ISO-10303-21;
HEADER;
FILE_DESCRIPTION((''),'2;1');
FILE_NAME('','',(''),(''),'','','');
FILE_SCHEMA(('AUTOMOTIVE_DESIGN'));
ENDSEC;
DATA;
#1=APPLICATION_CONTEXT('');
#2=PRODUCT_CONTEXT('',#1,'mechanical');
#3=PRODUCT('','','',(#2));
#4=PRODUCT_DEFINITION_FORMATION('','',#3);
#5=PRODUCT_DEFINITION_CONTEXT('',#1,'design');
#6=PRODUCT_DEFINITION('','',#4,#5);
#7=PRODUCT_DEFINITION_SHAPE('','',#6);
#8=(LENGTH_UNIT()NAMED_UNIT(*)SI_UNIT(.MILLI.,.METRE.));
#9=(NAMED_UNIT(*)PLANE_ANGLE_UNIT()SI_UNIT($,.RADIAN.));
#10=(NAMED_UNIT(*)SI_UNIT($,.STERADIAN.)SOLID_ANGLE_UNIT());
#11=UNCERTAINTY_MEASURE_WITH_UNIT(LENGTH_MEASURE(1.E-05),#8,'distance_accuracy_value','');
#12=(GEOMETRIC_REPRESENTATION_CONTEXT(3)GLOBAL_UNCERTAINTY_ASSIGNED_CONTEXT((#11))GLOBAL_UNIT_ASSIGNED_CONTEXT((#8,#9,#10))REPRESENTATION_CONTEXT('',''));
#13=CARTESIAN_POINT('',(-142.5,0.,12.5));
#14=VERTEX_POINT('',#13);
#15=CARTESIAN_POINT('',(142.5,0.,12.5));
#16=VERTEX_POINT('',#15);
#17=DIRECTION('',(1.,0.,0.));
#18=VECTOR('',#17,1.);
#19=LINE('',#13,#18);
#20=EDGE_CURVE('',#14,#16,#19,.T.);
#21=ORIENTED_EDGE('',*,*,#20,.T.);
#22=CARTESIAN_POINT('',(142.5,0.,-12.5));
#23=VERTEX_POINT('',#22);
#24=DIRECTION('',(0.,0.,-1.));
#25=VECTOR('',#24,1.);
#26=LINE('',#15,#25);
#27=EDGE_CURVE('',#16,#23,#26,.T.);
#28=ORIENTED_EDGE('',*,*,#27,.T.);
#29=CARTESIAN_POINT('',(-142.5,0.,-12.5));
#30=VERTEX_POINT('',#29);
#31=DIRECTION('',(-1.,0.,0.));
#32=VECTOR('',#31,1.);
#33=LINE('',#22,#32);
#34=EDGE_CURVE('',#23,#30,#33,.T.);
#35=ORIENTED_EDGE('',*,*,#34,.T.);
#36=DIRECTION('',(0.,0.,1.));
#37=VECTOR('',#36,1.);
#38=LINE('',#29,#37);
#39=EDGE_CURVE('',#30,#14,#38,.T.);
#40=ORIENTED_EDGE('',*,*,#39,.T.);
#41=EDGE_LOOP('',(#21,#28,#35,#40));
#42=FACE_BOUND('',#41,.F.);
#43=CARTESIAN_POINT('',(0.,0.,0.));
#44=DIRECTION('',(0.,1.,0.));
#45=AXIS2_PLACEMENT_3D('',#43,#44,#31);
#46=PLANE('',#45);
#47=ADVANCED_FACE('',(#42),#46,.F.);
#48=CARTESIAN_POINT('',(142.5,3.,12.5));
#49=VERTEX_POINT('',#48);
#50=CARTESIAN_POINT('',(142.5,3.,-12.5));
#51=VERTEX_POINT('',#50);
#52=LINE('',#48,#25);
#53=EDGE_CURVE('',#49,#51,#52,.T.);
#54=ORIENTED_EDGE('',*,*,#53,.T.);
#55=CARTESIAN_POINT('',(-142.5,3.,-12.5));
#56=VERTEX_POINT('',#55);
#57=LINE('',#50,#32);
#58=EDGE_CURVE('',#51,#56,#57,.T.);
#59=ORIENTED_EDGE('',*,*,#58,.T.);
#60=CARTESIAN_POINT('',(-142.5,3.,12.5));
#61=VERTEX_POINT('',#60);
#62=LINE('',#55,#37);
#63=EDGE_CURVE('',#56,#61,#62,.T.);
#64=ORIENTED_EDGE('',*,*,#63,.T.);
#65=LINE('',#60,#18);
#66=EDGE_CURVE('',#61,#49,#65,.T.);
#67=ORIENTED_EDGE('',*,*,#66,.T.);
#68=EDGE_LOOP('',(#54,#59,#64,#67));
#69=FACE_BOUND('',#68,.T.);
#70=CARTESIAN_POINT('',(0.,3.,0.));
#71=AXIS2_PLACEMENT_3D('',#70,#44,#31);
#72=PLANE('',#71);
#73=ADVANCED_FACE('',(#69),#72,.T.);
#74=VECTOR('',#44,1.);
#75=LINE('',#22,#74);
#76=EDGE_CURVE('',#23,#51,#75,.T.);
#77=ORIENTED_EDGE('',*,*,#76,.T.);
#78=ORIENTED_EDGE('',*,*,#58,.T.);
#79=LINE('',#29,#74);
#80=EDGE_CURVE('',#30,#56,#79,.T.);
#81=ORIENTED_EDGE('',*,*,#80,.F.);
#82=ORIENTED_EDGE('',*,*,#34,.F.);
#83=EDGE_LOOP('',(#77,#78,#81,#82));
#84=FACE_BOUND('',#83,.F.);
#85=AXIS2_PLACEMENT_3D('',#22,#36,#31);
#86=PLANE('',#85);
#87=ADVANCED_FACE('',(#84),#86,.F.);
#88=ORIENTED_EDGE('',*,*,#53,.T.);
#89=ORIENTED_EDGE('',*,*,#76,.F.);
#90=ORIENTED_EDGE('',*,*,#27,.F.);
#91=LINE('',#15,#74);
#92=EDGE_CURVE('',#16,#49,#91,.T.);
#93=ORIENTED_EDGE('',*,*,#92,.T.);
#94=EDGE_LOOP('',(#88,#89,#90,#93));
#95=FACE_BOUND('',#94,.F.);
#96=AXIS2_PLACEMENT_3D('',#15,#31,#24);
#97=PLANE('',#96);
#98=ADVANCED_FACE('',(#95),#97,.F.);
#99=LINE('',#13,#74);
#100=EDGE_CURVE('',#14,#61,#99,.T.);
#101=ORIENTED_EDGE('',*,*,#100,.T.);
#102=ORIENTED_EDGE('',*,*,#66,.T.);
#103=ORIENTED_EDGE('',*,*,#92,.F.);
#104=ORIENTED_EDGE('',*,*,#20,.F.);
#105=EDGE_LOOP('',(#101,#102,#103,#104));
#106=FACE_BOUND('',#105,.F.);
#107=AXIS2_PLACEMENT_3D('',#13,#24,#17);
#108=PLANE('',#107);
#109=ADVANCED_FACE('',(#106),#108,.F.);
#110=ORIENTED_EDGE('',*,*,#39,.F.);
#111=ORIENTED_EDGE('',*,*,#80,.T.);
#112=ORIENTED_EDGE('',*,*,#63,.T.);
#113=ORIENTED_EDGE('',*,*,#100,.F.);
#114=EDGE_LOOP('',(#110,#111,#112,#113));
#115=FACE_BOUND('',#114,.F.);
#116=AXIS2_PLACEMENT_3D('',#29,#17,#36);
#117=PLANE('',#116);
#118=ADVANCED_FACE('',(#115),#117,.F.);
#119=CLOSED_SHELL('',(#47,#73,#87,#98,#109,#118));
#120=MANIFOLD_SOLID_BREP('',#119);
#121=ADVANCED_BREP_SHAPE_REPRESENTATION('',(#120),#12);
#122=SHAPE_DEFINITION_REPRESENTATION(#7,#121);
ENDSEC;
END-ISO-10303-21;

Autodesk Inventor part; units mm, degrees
ref_plane "YZ Plane" through (0, 0, 0) normal (1, 0, 0) x (0, 1, 0)
ref_plane "XZ Plane" through (0, 0, 0) normal (0, 1, 0) x (-1, 0, 0)
ref_plane "XY Plane" through (0, 0, 0) normal (0, 0, 1) x (1, 0, 0)
sketch "Sketch1" plane through (0, 0, 0) normal (0, 1, 0) x (-1, 0, 0)
  line L0 (-142.5, -12.5) -> (142.5, -12.5)
  line L1 (142.5, -12.5) -> (142.5, 12.5)
  line L2 (142.5, 12.5) -> (-142.5, 12.5)
  line L3 (-142.5, 12.5) -> (-142.5, -12.5)
  line L4 (-142.5, -12.5) -> (142.5, 12.5) construction
  line L5 (142.5, -12.5) -> (-142.5, 12.5) construction
  point P0 (0, 0)
  dimension "d0" = 25
  dimension "d1" = 285
extrude "Extrusion1" add sketch "Sketch1" along normal blind 3
properties part number "splitter"
